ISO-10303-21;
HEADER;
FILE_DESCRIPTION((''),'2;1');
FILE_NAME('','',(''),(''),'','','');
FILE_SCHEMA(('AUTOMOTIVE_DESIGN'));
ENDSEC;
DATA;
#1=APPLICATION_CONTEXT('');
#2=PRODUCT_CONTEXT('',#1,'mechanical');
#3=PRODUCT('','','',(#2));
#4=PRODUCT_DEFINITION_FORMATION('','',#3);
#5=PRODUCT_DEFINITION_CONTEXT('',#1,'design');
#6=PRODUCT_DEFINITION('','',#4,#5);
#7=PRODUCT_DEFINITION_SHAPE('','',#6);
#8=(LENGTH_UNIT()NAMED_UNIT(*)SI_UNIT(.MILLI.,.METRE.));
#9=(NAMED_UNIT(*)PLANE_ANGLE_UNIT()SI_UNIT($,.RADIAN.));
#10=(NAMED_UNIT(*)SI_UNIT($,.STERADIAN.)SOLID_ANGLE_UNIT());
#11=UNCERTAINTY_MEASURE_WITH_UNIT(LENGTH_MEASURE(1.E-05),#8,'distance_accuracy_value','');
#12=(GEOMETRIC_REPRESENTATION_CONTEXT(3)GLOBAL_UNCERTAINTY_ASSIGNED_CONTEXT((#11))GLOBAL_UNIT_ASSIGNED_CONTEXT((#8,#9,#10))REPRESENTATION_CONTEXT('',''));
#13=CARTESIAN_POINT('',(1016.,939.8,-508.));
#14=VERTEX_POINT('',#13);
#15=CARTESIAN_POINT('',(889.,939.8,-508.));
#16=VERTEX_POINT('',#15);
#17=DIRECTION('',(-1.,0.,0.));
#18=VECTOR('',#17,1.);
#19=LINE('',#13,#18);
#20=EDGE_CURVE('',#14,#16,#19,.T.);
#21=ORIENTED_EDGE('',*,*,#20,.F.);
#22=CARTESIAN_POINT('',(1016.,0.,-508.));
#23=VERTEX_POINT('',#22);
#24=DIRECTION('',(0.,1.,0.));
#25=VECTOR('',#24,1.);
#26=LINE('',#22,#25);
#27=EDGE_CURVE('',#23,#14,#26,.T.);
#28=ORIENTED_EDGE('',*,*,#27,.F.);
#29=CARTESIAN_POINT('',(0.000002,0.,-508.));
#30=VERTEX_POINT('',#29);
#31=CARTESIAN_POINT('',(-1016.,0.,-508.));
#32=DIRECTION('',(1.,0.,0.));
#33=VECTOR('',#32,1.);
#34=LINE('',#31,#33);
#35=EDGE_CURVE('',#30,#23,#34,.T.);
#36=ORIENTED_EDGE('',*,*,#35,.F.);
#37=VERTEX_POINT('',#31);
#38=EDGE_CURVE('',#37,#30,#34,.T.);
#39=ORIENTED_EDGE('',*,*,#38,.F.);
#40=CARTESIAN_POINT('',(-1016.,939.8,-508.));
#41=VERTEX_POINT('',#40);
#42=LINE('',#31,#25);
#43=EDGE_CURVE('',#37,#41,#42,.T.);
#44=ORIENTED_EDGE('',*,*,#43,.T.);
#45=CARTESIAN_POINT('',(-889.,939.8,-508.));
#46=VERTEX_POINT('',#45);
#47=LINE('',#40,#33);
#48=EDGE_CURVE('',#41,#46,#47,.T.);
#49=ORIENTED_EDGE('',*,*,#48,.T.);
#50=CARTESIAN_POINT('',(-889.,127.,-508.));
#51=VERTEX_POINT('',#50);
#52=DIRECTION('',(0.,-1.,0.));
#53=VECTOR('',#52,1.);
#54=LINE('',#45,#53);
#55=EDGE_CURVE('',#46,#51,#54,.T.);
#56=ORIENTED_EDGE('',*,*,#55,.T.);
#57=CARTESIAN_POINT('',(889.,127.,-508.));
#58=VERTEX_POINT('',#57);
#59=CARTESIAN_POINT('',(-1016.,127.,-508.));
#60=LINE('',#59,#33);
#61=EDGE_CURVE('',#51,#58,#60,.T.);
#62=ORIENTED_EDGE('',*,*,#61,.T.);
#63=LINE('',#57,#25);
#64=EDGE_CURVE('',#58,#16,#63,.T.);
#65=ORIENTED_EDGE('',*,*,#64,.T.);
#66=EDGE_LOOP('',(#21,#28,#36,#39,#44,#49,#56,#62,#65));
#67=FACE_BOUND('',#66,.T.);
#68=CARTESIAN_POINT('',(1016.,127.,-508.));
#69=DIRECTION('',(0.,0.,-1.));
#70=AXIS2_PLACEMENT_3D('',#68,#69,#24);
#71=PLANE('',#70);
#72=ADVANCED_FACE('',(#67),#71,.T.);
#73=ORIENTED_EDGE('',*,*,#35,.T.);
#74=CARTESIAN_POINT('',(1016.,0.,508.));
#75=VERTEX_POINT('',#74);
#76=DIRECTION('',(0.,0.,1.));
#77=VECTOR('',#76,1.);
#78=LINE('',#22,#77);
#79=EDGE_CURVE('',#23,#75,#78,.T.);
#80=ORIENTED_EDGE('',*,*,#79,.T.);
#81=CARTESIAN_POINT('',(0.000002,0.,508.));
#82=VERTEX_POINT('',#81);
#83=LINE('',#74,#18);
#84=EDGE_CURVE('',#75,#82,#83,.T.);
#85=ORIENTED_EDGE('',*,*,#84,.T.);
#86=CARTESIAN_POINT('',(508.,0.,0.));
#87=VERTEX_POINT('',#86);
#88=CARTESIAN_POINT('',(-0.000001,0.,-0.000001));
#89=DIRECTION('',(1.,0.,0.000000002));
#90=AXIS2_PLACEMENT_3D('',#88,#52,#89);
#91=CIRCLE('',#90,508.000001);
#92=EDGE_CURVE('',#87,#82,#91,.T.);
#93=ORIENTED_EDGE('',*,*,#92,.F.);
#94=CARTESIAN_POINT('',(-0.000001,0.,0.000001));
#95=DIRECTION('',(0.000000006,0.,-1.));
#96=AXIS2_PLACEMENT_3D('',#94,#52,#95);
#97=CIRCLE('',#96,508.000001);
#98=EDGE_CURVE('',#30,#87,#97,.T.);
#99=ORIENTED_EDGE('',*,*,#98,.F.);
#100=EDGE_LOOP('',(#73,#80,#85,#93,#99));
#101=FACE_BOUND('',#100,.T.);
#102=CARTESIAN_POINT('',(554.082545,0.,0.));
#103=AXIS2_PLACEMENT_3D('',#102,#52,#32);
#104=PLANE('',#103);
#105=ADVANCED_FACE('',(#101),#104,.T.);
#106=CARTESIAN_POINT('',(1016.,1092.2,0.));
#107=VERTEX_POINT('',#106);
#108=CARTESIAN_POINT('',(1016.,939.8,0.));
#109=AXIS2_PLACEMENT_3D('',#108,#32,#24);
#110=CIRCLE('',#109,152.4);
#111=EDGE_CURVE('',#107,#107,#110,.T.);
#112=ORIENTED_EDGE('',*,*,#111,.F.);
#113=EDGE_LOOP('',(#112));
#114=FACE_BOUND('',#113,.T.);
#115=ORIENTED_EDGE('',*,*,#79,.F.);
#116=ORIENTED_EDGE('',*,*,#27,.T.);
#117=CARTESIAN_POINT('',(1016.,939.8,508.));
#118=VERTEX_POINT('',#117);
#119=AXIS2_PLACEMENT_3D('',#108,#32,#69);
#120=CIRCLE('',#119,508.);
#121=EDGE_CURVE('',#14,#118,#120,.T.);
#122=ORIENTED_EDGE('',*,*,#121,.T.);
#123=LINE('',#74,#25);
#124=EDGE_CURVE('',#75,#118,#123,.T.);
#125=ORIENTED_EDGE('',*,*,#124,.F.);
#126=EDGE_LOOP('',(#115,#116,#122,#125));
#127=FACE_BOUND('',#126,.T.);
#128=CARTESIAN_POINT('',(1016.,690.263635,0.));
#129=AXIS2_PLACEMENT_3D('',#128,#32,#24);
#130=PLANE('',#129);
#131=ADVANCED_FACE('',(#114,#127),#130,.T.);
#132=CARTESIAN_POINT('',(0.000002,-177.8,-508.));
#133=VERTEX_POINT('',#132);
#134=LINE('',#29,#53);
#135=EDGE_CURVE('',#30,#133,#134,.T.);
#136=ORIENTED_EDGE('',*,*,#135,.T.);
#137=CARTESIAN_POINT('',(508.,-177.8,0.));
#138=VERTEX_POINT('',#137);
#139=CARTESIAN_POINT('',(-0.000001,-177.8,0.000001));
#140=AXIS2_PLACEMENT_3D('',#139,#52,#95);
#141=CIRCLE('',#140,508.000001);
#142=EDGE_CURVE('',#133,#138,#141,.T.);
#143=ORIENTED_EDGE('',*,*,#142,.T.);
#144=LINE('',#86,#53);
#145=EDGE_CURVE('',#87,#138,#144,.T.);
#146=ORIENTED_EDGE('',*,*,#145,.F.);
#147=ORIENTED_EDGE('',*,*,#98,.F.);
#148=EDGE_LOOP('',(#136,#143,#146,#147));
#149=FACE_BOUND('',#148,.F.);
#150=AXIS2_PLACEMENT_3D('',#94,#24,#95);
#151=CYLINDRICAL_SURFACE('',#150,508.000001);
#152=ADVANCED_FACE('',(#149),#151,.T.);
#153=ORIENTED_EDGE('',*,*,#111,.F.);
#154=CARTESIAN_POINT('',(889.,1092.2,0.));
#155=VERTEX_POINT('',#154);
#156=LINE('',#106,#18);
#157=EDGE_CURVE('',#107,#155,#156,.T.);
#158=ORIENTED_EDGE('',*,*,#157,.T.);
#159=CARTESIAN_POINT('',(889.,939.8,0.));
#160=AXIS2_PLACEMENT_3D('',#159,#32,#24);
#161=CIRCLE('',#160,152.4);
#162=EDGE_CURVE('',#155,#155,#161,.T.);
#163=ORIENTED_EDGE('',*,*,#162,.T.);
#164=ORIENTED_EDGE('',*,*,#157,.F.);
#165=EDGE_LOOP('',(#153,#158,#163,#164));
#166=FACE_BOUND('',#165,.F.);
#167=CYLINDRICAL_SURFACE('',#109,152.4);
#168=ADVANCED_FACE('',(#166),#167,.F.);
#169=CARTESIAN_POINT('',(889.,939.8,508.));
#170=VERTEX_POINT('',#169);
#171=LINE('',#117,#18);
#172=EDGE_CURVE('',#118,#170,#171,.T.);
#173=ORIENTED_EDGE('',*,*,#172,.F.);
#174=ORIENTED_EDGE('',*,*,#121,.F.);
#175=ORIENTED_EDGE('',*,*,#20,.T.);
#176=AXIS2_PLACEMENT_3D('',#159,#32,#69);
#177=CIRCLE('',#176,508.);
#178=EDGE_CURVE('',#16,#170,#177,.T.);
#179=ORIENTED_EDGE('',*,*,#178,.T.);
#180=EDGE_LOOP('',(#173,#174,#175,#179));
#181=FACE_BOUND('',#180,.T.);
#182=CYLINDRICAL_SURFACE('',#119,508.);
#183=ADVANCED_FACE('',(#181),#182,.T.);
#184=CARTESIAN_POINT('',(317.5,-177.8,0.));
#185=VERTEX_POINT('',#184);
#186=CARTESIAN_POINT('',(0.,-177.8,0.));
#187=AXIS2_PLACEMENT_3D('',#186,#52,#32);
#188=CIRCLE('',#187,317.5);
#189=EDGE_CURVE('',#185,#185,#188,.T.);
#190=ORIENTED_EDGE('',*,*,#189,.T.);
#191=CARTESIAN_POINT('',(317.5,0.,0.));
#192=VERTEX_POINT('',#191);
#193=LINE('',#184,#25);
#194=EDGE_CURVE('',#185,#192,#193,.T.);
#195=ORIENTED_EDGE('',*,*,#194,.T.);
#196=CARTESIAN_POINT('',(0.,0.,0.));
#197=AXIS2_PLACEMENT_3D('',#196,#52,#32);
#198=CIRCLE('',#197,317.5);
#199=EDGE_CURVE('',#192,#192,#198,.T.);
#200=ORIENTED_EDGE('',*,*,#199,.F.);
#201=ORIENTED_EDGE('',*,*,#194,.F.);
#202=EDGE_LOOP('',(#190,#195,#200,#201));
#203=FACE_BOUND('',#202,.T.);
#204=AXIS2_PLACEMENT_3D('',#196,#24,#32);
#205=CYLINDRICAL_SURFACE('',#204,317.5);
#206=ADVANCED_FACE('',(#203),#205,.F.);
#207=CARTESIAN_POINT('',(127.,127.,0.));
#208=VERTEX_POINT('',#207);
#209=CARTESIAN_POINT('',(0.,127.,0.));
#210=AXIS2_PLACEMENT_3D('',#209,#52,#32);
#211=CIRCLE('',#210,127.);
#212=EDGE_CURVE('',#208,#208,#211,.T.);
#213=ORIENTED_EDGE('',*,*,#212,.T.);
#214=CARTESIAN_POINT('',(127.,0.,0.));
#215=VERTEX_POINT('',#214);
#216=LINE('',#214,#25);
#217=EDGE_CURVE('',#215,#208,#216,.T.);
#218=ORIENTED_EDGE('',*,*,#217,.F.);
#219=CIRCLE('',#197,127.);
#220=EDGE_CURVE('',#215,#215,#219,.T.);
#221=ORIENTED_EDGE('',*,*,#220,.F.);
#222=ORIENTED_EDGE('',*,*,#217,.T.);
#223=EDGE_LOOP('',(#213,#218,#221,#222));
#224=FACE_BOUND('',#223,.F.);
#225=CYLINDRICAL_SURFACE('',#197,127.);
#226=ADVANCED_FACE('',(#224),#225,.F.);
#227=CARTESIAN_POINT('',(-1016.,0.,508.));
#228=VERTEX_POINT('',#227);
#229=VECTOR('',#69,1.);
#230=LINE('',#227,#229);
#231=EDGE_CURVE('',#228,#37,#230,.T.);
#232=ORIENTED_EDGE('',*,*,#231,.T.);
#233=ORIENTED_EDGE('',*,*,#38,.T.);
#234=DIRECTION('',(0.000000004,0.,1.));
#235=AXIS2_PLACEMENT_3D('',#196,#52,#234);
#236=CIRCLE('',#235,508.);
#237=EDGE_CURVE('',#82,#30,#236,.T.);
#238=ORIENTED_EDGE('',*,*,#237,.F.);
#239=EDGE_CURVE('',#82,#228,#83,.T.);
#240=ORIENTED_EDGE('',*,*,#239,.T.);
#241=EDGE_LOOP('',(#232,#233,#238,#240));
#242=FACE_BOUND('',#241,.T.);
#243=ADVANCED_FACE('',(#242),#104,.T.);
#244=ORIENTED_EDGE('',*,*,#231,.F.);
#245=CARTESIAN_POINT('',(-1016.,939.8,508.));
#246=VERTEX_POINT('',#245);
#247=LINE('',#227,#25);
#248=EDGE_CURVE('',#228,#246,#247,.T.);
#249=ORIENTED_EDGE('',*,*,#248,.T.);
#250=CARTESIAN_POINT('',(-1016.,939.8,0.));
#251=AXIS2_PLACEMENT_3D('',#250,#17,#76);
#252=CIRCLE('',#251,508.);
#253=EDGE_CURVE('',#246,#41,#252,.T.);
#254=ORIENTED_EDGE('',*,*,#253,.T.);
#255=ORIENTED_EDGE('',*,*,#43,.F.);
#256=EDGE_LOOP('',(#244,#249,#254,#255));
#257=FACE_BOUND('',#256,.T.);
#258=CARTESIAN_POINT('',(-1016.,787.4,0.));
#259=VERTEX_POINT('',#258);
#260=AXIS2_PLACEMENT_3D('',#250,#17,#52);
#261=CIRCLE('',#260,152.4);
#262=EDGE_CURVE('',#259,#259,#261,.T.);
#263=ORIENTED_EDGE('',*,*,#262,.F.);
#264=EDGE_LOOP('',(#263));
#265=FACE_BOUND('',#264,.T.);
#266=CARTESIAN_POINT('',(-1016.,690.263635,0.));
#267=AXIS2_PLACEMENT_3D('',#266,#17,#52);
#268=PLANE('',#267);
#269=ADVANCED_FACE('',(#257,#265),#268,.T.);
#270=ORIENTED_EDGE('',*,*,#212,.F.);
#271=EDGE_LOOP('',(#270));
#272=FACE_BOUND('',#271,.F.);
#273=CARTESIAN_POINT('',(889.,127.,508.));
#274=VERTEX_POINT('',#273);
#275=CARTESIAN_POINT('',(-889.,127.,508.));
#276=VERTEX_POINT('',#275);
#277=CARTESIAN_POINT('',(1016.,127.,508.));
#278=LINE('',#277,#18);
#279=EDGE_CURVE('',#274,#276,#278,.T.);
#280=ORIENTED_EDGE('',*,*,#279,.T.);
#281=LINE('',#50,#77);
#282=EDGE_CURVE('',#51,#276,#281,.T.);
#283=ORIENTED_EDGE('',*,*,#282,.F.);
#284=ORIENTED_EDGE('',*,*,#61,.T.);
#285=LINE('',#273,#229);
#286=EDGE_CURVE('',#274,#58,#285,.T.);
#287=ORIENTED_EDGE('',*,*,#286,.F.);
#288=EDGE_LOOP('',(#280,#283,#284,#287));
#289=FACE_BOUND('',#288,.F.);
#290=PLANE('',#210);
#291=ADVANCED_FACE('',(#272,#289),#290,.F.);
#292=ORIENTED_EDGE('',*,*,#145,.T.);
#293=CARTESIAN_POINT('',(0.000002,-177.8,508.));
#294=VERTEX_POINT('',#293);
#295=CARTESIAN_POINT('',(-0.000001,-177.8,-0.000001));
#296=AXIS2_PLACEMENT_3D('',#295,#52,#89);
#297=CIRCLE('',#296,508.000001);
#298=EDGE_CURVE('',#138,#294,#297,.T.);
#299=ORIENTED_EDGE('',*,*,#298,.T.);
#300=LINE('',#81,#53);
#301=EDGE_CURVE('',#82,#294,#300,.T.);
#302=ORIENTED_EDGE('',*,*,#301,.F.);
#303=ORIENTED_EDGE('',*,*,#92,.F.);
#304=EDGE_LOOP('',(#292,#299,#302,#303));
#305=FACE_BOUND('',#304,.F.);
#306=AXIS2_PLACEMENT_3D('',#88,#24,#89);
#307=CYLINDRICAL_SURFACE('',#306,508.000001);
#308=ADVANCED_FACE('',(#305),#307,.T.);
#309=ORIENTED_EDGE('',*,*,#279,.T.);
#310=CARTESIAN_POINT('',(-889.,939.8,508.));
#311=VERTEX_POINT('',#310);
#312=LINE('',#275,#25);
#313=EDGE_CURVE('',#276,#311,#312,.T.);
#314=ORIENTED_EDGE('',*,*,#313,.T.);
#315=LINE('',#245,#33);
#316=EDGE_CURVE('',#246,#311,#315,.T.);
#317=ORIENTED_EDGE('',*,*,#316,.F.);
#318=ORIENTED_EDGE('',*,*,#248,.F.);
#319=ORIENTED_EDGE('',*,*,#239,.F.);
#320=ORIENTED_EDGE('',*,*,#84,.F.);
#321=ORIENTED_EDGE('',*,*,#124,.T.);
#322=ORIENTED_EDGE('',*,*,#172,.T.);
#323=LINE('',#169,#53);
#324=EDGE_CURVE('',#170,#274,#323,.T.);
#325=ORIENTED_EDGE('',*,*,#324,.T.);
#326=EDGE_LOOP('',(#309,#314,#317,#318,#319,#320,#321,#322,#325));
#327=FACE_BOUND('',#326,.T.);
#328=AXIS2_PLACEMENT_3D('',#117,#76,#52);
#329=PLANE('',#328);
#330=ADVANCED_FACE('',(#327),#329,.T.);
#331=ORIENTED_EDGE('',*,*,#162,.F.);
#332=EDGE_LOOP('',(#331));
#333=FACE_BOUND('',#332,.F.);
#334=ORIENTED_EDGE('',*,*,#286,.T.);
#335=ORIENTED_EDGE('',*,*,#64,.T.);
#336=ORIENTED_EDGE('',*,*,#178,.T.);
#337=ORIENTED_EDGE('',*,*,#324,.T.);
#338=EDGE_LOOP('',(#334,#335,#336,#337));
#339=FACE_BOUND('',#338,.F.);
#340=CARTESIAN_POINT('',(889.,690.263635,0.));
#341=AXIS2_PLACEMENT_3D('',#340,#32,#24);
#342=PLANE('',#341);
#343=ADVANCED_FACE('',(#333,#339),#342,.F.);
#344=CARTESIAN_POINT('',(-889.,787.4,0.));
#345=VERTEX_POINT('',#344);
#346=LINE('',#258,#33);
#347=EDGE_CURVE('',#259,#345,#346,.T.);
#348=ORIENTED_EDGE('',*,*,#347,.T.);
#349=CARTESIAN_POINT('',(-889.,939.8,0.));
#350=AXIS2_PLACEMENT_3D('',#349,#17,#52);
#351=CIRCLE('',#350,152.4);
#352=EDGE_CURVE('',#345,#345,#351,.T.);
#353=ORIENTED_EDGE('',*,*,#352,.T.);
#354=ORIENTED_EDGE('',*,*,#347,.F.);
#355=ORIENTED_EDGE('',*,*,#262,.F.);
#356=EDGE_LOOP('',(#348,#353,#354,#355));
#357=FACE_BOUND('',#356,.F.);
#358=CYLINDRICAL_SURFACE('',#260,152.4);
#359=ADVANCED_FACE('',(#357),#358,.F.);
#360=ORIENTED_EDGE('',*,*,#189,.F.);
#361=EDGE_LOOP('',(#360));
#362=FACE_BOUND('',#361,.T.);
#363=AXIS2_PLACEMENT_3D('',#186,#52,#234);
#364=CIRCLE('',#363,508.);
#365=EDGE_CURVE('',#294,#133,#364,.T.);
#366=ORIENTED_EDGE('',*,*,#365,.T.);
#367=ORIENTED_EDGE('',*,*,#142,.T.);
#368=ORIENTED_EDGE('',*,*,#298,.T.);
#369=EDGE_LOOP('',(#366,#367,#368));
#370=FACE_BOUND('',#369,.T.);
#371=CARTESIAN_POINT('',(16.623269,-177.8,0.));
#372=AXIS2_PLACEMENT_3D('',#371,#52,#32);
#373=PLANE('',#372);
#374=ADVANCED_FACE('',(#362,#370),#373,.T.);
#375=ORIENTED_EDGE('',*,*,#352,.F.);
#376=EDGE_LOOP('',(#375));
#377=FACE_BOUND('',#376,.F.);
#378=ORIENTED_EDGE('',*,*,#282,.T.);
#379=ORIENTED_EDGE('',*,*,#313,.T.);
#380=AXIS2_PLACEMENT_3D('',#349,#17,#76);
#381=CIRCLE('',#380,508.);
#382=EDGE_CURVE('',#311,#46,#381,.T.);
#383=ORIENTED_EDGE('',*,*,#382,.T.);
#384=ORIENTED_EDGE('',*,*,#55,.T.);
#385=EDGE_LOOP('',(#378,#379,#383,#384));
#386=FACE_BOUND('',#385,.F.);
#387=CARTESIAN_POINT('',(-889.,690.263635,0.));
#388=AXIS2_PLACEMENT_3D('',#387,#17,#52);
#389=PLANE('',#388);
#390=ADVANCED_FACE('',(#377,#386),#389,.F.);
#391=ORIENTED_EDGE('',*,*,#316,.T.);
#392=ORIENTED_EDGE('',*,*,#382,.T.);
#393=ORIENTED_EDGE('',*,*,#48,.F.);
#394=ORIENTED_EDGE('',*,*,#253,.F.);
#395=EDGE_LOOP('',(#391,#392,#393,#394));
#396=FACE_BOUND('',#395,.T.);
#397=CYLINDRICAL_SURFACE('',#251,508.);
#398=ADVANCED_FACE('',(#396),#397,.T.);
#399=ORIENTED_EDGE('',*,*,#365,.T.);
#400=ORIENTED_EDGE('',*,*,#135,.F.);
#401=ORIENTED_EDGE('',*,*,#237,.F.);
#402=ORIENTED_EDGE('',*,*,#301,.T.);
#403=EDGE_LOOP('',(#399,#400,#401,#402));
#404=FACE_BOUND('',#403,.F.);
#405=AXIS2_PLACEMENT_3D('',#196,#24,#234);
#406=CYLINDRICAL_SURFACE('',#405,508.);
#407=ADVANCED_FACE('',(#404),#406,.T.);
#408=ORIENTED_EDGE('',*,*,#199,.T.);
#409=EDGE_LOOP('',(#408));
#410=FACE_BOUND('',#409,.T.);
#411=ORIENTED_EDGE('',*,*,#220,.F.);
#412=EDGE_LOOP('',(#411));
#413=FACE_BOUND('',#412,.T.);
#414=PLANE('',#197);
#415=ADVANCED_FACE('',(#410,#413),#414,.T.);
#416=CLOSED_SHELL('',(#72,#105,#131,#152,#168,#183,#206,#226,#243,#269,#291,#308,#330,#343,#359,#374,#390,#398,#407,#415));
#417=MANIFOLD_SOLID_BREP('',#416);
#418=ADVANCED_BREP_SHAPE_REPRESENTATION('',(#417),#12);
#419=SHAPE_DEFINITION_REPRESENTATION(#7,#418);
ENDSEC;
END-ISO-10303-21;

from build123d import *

# Parameters (mm, degrees)
F0_R     = 317.5
F1_DEPTH = 127
F2_DEPTH = 177.8
F0_R_2   = 127
F3_DEPTH = 127
F4_R     = 152.4
F5_DEPTH = 127
F6_R     = 152.4
F7_DEPTH = 127


with BuildPart() as f1:
    # F0 (on Front) → F1 (new body)
    with BuildSketch(Plane.XZ):
        with BuildLine():
            ThreePointArc((2e-06, 508), (359.210245, 359.210244), (508, 0))
            ThreePointArc((508, 0), (359.210245, -359.210244), (2e-06, -508))
            Line((2e-06, -508), (1016, -508))
            Line((1016, -508), (1016, 508))
            Line((1016, 508), (2e-06, 508))
        make_face()
        with BuildLine():
            ThreePointArc((2e-06, -508), (-508, 0), (2e-06, 508))
            Line((2e-06, 508), (-1016, 508))
            Line((-1016, 508), (-1016, -508))
            Line((-1016, -508), (2e-06, -508))
        make_face()
        with BuildLine():
            ThreePointArc((2e-06, -508), (359.210245, -359.210244), (508, 0))
            ThreePointArc((508, 0), (359.210245, 359.210244), (2e-06, 508))
            ThreePointArc((2e-06, 508), (-508, 0), (2e-06, -508))
        make_face()
        Circle(F0_R, mode=Mode.SUBTRACT)
    extrude(amount=-F1_DEPTH)

    # F0 (on Front) → F2 (join)
    with BuildSketch(Plane.XZ):
        with BuildLine():
            ThreePointArc((2e-06, -508), (359.210245, -359.210244), (508, 0))
            ThreePointArc((508, 0), (359.210245, 359.210244), (2e-06, 508))
            ThreePointArc((2e-06, 508), (-508, 0), (2e-06, -508))
        make_face()
        Circle(F0_R, mode=Mode.SUBTRACT)
    extrude(amount=F2_DEPTH)

    # F0 (on Front) → F3 (join)
    with BuildSketch(Plane.XZ):
        Circle(F0_R)
        Circle(F0_R_2, mode=Mode.SUBTRACT)
    extrude(amount=-F3_DEPTH)

    # F4 (on face) → F5 (join)
    with BuildSketch(Plane(origin=(-1016, 0, 0), x_dir=(0, -1, 0), z_dir=(-1, 0, 0))):
        with BuildLine():
            Line((-127, -508), (-127, 508))
            Line((-127, 508), (-939.8, 508))
            ThreePointArc((-939.8, 508), (-1447.8, 0), (-939.8, -508))
            Line((-939.8, -508), (-127, -508))
        make_face()
        with Locations((-939.8, 0)):
            Circle(F4_R, mode=Mode.SUBTRACT)
    extrude(amount=-F5_DEPTH)

    # F6 (on face) → F7 (join)
    with BuildSketch(Plane.YZ.offset(1016)):
        with BuildLine():
            Line((127, 508), (127, -508))
            Line((127, -508), (939.8, -508))
            ThreePointArc((939.8, -508), (1447.8, 0), (939.8, 508))
            Line((939.8, 508), (127, 508))
        make_face()
        with Locations((939.8, 0)):
            Circle(F6_R, mode=Mode.SUBTRACT)
    extrude(amount=-F7_DEPTH)


solid = f1.part
